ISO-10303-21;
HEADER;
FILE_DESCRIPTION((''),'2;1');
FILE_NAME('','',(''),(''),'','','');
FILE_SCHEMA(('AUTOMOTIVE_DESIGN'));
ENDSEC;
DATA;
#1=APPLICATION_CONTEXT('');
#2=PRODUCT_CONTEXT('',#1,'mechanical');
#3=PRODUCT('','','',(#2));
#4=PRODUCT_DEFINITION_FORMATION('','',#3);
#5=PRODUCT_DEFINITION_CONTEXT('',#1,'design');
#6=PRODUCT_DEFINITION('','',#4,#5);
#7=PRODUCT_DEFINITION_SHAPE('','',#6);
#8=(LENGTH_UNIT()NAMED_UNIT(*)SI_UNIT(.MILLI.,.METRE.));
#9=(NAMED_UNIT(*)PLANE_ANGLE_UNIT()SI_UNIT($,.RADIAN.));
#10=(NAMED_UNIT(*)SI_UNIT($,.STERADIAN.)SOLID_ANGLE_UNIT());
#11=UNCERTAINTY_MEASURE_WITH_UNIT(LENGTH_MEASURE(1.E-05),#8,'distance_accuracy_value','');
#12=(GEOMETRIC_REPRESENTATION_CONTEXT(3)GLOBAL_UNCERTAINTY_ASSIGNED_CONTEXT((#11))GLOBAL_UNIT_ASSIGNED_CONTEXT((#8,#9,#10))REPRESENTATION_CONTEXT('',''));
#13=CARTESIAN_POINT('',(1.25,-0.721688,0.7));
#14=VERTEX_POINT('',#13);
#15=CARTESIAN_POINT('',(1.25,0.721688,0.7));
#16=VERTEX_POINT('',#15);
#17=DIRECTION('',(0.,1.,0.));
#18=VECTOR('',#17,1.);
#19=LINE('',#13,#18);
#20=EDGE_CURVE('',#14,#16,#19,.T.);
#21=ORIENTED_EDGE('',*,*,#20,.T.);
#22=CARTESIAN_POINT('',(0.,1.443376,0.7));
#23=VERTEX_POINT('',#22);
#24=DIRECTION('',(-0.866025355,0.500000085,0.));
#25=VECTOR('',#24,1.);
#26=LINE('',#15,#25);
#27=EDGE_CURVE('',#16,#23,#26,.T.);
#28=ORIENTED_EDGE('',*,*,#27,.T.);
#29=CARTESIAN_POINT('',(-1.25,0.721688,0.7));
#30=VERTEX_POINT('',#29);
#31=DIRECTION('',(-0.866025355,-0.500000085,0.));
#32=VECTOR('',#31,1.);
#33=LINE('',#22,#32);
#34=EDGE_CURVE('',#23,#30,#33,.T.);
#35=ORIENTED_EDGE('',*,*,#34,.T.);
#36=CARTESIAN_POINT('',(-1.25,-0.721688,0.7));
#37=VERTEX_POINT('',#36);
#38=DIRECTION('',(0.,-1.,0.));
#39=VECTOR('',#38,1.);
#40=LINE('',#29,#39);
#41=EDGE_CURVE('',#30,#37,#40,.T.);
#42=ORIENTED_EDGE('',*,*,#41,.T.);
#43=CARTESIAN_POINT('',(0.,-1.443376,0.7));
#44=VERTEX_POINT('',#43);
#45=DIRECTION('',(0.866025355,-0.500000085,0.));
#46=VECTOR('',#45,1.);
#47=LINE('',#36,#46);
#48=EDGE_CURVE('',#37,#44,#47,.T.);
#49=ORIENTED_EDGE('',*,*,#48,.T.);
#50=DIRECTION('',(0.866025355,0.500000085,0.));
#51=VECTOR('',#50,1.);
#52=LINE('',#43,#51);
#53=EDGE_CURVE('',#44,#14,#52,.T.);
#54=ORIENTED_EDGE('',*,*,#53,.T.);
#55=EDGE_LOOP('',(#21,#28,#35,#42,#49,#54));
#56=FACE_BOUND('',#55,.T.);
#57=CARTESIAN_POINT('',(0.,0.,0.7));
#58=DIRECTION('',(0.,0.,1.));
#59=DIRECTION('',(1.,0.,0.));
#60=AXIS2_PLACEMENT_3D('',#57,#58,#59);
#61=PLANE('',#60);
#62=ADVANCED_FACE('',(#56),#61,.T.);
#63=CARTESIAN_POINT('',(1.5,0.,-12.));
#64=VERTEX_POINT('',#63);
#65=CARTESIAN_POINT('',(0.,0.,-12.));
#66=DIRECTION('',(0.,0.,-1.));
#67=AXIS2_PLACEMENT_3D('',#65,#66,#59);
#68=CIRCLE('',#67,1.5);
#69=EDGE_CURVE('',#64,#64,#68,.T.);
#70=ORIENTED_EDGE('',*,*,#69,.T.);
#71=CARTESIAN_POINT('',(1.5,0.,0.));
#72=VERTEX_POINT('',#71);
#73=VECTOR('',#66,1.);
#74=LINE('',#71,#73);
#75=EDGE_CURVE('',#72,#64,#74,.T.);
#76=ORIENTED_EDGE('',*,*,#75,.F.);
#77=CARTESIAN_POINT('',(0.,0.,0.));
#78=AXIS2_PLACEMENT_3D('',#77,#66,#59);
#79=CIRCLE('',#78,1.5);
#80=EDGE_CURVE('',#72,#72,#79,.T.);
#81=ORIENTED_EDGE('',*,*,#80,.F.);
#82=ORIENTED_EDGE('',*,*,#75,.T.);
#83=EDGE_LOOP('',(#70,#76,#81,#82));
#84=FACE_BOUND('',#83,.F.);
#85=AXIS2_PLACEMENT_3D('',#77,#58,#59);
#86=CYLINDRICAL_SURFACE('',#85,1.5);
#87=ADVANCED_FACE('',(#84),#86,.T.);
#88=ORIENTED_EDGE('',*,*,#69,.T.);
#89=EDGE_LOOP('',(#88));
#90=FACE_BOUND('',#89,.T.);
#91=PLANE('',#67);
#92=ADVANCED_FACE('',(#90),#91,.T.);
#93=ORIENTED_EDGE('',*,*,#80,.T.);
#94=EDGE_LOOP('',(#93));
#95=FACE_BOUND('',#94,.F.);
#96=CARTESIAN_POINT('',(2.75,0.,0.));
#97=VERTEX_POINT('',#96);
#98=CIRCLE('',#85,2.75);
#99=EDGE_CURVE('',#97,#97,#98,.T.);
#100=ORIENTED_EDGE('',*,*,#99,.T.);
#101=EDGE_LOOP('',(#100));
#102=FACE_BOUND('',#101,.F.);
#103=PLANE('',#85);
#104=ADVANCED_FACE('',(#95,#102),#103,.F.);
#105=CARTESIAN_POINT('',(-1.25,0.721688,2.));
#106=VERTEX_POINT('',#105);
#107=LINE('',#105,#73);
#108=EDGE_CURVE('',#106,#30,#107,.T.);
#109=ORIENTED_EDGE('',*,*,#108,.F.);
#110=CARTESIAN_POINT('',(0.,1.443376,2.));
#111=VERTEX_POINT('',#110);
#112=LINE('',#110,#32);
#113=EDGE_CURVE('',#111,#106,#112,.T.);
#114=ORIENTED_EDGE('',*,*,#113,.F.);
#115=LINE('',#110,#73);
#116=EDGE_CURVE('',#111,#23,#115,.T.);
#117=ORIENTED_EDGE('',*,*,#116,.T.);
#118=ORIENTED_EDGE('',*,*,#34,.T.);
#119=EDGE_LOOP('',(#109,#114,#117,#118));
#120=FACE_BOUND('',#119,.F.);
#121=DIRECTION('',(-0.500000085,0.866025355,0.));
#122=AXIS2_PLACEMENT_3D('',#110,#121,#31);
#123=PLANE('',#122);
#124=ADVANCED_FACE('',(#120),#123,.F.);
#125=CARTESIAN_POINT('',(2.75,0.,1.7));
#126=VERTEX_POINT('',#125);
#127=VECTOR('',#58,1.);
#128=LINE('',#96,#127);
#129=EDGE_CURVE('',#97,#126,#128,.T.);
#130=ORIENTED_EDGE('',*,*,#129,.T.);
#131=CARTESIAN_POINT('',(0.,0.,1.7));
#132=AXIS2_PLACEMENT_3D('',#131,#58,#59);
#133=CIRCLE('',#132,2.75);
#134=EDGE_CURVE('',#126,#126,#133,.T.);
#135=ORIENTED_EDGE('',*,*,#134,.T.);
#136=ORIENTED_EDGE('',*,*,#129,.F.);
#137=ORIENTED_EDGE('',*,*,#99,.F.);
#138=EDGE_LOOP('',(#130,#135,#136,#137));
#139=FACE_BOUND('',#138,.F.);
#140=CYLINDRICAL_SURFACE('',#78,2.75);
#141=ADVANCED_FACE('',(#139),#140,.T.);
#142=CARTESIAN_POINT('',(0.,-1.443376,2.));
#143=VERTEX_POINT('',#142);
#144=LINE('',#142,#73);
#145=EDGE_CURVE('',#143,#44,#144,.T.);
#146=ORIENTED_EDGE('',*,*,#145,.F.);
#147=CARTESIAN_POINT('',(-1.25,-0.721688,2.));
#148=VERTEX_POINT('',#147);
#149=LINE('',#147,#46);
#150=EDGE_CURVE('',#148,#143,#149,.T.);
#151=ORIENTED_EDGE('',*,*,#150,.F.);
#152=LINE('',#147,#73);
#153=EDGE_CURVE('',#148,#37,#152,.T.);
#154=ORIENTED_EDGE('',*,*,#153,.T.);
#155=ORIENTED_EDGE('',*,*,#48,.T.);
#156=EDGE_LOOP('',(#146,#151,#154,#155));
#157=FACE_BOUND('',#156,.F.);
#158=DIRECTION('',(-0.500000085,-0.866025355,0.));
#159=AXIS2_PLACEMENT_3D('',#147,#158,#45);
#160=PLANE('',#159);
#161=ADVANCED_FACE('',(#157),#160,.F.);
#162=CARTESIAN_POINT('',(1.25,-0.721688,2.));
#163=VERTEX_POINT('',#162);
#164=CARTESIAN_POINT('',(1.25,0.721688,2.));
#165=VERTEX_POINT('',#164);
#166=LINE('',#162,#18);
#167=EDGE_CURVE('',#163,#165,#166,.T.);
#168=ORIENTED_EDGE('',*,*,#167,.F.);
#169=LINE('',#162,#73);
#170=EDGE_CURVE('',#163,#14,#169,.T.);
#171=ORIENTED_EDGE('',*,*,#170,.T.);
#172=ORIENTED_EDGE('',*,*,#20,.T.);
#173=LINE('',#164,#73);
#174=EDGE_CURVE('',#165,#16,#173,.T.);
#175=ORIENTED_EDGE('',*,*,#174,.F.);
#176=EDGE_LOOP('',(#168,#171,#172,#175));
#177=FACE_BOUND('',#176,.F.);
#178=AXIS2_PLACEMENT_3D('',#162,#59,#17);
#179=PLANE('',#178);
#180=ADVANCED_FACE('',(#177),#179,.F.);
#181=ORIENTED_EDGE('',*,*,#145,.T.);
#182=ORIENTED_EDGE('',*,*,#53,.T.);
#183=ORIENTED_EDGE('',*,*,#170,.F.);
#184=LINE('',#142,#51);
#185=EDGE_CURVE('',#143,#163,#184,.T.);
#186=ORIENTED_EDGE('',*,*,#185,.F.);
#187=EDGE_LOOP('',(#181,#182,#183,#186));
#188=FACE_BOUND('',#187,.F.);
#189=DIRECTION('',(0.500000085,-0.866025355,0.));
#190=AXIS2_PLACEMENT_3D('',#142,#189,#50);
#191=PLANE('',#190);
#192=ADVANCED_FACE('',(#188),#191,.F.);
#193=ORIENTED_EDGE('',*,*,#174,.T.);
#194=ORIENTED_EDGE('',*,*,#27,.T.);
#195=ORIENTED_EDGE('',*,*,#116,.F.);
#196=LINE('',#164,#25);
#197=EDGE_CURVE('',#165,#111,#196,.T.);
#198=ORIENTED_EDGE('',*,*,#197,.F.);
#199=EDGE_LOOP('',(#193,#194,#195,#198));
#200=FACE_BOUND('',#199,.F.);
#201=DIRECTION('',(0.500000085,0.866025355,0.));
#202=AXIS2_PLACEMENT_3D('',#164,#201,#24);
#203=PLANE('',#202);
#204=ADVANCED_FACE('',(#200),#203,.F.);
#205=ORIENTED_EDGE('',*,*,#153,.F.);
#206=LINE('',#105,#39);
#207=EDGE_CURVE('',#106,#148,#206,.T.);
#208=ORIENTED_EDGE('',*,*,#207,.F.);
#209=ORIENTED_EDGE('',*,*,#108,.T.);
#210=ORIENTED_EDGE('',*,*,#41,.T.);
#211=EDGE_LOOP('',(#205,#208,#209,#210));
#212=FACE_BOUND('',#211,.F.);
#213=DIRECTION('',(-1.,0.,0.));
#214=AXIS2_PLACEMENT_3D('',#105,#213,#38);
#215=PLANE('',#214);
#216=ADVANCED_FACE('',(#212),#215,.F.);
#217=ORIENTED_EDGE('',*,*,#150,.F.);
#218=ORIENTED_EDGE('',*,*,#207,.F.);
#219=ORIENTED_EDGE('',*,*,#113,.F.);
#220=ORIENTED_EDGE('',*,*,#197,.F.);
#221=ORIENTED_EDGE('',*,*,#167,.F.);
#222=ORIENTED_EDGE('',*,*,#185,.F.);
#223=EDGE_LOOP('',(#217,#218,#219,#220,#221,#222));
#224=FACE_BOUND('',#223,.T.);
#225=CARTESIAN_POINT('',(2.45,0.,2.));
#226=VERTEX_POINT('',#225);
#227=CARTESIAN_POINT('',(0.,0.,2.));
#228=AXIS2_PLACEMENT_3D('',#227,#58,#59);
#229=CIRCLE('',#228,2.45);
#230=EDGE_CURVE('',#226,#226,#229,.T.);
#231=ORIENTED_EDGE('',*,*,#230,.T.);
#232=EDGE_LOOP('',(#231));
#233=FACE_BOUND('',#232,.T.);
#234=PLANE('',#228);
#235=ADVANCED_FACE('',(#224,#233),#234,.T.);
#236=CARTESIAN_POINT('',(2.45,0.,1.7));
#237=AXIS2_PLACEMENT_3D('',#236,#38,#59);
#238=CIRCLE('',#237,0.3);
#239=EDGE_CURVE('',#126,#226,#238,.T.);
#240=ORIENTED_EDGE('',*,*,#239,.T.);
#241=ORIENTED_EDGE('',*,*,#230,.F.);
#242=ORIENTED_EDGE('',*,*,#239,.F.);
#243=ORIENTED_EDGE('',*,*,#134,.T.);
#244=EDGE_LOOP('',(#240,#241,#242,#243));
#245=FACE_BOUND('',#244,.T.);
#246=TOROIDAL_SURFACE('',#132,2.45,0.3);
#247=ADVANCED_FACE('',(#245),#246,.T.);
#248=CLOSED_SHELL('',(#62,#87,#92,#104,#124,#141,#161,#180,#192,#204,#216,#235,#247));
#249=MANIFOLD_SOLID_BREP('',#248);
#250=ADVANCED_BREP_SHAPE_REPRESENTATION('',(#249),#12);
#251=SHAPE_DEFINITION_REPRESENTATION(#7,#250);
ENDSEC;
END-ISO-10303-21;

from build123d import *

# Parameters (mm, degrees)
F0_R     = 2.75
F1_DEPTH = 2
F3_DEPTH = 1.3
F4_R     = 1.5
F5_DEPTH = 12
F6_R     = 0.3


with BuildPart() as f1:
    # F0 (on Top) → F1 (new body)
    with BuildSketch(Plane.XY):
        Circle(F0_R)
    extrude(amount=F1_DEPTH)

    # F2 (on face) → F3 (cut)
    with BuildSketch(Plane.XY.offset(2)):
        Polygon((1.25, -0.721688), (1.25, 0.721688), (0, 1.443376), (-1.25, 0.721688), (-1.25, -0.721688), (0, -1.443376), align=None)
    extrude(amount=-F3_DEPTH, mode=Mode.SUBTRACT)

    # F4 (on face) → F5 (join)
    with BuildSketch(Plane(origin=(0, 0, 0), x_dir=(1, 0, 0), z_dir=(0, 0, -1))):
        Circle(F4_R)
    extrude(amount=F5_DEPTH)

    # F6
    f6_edges = [f1.edges().sort_by_distance(p)[0] for p in [
        (-2.75, 0, 2),
    ]]
    fillet(f6_edges, radius=F6_R)


solid = f1.part
